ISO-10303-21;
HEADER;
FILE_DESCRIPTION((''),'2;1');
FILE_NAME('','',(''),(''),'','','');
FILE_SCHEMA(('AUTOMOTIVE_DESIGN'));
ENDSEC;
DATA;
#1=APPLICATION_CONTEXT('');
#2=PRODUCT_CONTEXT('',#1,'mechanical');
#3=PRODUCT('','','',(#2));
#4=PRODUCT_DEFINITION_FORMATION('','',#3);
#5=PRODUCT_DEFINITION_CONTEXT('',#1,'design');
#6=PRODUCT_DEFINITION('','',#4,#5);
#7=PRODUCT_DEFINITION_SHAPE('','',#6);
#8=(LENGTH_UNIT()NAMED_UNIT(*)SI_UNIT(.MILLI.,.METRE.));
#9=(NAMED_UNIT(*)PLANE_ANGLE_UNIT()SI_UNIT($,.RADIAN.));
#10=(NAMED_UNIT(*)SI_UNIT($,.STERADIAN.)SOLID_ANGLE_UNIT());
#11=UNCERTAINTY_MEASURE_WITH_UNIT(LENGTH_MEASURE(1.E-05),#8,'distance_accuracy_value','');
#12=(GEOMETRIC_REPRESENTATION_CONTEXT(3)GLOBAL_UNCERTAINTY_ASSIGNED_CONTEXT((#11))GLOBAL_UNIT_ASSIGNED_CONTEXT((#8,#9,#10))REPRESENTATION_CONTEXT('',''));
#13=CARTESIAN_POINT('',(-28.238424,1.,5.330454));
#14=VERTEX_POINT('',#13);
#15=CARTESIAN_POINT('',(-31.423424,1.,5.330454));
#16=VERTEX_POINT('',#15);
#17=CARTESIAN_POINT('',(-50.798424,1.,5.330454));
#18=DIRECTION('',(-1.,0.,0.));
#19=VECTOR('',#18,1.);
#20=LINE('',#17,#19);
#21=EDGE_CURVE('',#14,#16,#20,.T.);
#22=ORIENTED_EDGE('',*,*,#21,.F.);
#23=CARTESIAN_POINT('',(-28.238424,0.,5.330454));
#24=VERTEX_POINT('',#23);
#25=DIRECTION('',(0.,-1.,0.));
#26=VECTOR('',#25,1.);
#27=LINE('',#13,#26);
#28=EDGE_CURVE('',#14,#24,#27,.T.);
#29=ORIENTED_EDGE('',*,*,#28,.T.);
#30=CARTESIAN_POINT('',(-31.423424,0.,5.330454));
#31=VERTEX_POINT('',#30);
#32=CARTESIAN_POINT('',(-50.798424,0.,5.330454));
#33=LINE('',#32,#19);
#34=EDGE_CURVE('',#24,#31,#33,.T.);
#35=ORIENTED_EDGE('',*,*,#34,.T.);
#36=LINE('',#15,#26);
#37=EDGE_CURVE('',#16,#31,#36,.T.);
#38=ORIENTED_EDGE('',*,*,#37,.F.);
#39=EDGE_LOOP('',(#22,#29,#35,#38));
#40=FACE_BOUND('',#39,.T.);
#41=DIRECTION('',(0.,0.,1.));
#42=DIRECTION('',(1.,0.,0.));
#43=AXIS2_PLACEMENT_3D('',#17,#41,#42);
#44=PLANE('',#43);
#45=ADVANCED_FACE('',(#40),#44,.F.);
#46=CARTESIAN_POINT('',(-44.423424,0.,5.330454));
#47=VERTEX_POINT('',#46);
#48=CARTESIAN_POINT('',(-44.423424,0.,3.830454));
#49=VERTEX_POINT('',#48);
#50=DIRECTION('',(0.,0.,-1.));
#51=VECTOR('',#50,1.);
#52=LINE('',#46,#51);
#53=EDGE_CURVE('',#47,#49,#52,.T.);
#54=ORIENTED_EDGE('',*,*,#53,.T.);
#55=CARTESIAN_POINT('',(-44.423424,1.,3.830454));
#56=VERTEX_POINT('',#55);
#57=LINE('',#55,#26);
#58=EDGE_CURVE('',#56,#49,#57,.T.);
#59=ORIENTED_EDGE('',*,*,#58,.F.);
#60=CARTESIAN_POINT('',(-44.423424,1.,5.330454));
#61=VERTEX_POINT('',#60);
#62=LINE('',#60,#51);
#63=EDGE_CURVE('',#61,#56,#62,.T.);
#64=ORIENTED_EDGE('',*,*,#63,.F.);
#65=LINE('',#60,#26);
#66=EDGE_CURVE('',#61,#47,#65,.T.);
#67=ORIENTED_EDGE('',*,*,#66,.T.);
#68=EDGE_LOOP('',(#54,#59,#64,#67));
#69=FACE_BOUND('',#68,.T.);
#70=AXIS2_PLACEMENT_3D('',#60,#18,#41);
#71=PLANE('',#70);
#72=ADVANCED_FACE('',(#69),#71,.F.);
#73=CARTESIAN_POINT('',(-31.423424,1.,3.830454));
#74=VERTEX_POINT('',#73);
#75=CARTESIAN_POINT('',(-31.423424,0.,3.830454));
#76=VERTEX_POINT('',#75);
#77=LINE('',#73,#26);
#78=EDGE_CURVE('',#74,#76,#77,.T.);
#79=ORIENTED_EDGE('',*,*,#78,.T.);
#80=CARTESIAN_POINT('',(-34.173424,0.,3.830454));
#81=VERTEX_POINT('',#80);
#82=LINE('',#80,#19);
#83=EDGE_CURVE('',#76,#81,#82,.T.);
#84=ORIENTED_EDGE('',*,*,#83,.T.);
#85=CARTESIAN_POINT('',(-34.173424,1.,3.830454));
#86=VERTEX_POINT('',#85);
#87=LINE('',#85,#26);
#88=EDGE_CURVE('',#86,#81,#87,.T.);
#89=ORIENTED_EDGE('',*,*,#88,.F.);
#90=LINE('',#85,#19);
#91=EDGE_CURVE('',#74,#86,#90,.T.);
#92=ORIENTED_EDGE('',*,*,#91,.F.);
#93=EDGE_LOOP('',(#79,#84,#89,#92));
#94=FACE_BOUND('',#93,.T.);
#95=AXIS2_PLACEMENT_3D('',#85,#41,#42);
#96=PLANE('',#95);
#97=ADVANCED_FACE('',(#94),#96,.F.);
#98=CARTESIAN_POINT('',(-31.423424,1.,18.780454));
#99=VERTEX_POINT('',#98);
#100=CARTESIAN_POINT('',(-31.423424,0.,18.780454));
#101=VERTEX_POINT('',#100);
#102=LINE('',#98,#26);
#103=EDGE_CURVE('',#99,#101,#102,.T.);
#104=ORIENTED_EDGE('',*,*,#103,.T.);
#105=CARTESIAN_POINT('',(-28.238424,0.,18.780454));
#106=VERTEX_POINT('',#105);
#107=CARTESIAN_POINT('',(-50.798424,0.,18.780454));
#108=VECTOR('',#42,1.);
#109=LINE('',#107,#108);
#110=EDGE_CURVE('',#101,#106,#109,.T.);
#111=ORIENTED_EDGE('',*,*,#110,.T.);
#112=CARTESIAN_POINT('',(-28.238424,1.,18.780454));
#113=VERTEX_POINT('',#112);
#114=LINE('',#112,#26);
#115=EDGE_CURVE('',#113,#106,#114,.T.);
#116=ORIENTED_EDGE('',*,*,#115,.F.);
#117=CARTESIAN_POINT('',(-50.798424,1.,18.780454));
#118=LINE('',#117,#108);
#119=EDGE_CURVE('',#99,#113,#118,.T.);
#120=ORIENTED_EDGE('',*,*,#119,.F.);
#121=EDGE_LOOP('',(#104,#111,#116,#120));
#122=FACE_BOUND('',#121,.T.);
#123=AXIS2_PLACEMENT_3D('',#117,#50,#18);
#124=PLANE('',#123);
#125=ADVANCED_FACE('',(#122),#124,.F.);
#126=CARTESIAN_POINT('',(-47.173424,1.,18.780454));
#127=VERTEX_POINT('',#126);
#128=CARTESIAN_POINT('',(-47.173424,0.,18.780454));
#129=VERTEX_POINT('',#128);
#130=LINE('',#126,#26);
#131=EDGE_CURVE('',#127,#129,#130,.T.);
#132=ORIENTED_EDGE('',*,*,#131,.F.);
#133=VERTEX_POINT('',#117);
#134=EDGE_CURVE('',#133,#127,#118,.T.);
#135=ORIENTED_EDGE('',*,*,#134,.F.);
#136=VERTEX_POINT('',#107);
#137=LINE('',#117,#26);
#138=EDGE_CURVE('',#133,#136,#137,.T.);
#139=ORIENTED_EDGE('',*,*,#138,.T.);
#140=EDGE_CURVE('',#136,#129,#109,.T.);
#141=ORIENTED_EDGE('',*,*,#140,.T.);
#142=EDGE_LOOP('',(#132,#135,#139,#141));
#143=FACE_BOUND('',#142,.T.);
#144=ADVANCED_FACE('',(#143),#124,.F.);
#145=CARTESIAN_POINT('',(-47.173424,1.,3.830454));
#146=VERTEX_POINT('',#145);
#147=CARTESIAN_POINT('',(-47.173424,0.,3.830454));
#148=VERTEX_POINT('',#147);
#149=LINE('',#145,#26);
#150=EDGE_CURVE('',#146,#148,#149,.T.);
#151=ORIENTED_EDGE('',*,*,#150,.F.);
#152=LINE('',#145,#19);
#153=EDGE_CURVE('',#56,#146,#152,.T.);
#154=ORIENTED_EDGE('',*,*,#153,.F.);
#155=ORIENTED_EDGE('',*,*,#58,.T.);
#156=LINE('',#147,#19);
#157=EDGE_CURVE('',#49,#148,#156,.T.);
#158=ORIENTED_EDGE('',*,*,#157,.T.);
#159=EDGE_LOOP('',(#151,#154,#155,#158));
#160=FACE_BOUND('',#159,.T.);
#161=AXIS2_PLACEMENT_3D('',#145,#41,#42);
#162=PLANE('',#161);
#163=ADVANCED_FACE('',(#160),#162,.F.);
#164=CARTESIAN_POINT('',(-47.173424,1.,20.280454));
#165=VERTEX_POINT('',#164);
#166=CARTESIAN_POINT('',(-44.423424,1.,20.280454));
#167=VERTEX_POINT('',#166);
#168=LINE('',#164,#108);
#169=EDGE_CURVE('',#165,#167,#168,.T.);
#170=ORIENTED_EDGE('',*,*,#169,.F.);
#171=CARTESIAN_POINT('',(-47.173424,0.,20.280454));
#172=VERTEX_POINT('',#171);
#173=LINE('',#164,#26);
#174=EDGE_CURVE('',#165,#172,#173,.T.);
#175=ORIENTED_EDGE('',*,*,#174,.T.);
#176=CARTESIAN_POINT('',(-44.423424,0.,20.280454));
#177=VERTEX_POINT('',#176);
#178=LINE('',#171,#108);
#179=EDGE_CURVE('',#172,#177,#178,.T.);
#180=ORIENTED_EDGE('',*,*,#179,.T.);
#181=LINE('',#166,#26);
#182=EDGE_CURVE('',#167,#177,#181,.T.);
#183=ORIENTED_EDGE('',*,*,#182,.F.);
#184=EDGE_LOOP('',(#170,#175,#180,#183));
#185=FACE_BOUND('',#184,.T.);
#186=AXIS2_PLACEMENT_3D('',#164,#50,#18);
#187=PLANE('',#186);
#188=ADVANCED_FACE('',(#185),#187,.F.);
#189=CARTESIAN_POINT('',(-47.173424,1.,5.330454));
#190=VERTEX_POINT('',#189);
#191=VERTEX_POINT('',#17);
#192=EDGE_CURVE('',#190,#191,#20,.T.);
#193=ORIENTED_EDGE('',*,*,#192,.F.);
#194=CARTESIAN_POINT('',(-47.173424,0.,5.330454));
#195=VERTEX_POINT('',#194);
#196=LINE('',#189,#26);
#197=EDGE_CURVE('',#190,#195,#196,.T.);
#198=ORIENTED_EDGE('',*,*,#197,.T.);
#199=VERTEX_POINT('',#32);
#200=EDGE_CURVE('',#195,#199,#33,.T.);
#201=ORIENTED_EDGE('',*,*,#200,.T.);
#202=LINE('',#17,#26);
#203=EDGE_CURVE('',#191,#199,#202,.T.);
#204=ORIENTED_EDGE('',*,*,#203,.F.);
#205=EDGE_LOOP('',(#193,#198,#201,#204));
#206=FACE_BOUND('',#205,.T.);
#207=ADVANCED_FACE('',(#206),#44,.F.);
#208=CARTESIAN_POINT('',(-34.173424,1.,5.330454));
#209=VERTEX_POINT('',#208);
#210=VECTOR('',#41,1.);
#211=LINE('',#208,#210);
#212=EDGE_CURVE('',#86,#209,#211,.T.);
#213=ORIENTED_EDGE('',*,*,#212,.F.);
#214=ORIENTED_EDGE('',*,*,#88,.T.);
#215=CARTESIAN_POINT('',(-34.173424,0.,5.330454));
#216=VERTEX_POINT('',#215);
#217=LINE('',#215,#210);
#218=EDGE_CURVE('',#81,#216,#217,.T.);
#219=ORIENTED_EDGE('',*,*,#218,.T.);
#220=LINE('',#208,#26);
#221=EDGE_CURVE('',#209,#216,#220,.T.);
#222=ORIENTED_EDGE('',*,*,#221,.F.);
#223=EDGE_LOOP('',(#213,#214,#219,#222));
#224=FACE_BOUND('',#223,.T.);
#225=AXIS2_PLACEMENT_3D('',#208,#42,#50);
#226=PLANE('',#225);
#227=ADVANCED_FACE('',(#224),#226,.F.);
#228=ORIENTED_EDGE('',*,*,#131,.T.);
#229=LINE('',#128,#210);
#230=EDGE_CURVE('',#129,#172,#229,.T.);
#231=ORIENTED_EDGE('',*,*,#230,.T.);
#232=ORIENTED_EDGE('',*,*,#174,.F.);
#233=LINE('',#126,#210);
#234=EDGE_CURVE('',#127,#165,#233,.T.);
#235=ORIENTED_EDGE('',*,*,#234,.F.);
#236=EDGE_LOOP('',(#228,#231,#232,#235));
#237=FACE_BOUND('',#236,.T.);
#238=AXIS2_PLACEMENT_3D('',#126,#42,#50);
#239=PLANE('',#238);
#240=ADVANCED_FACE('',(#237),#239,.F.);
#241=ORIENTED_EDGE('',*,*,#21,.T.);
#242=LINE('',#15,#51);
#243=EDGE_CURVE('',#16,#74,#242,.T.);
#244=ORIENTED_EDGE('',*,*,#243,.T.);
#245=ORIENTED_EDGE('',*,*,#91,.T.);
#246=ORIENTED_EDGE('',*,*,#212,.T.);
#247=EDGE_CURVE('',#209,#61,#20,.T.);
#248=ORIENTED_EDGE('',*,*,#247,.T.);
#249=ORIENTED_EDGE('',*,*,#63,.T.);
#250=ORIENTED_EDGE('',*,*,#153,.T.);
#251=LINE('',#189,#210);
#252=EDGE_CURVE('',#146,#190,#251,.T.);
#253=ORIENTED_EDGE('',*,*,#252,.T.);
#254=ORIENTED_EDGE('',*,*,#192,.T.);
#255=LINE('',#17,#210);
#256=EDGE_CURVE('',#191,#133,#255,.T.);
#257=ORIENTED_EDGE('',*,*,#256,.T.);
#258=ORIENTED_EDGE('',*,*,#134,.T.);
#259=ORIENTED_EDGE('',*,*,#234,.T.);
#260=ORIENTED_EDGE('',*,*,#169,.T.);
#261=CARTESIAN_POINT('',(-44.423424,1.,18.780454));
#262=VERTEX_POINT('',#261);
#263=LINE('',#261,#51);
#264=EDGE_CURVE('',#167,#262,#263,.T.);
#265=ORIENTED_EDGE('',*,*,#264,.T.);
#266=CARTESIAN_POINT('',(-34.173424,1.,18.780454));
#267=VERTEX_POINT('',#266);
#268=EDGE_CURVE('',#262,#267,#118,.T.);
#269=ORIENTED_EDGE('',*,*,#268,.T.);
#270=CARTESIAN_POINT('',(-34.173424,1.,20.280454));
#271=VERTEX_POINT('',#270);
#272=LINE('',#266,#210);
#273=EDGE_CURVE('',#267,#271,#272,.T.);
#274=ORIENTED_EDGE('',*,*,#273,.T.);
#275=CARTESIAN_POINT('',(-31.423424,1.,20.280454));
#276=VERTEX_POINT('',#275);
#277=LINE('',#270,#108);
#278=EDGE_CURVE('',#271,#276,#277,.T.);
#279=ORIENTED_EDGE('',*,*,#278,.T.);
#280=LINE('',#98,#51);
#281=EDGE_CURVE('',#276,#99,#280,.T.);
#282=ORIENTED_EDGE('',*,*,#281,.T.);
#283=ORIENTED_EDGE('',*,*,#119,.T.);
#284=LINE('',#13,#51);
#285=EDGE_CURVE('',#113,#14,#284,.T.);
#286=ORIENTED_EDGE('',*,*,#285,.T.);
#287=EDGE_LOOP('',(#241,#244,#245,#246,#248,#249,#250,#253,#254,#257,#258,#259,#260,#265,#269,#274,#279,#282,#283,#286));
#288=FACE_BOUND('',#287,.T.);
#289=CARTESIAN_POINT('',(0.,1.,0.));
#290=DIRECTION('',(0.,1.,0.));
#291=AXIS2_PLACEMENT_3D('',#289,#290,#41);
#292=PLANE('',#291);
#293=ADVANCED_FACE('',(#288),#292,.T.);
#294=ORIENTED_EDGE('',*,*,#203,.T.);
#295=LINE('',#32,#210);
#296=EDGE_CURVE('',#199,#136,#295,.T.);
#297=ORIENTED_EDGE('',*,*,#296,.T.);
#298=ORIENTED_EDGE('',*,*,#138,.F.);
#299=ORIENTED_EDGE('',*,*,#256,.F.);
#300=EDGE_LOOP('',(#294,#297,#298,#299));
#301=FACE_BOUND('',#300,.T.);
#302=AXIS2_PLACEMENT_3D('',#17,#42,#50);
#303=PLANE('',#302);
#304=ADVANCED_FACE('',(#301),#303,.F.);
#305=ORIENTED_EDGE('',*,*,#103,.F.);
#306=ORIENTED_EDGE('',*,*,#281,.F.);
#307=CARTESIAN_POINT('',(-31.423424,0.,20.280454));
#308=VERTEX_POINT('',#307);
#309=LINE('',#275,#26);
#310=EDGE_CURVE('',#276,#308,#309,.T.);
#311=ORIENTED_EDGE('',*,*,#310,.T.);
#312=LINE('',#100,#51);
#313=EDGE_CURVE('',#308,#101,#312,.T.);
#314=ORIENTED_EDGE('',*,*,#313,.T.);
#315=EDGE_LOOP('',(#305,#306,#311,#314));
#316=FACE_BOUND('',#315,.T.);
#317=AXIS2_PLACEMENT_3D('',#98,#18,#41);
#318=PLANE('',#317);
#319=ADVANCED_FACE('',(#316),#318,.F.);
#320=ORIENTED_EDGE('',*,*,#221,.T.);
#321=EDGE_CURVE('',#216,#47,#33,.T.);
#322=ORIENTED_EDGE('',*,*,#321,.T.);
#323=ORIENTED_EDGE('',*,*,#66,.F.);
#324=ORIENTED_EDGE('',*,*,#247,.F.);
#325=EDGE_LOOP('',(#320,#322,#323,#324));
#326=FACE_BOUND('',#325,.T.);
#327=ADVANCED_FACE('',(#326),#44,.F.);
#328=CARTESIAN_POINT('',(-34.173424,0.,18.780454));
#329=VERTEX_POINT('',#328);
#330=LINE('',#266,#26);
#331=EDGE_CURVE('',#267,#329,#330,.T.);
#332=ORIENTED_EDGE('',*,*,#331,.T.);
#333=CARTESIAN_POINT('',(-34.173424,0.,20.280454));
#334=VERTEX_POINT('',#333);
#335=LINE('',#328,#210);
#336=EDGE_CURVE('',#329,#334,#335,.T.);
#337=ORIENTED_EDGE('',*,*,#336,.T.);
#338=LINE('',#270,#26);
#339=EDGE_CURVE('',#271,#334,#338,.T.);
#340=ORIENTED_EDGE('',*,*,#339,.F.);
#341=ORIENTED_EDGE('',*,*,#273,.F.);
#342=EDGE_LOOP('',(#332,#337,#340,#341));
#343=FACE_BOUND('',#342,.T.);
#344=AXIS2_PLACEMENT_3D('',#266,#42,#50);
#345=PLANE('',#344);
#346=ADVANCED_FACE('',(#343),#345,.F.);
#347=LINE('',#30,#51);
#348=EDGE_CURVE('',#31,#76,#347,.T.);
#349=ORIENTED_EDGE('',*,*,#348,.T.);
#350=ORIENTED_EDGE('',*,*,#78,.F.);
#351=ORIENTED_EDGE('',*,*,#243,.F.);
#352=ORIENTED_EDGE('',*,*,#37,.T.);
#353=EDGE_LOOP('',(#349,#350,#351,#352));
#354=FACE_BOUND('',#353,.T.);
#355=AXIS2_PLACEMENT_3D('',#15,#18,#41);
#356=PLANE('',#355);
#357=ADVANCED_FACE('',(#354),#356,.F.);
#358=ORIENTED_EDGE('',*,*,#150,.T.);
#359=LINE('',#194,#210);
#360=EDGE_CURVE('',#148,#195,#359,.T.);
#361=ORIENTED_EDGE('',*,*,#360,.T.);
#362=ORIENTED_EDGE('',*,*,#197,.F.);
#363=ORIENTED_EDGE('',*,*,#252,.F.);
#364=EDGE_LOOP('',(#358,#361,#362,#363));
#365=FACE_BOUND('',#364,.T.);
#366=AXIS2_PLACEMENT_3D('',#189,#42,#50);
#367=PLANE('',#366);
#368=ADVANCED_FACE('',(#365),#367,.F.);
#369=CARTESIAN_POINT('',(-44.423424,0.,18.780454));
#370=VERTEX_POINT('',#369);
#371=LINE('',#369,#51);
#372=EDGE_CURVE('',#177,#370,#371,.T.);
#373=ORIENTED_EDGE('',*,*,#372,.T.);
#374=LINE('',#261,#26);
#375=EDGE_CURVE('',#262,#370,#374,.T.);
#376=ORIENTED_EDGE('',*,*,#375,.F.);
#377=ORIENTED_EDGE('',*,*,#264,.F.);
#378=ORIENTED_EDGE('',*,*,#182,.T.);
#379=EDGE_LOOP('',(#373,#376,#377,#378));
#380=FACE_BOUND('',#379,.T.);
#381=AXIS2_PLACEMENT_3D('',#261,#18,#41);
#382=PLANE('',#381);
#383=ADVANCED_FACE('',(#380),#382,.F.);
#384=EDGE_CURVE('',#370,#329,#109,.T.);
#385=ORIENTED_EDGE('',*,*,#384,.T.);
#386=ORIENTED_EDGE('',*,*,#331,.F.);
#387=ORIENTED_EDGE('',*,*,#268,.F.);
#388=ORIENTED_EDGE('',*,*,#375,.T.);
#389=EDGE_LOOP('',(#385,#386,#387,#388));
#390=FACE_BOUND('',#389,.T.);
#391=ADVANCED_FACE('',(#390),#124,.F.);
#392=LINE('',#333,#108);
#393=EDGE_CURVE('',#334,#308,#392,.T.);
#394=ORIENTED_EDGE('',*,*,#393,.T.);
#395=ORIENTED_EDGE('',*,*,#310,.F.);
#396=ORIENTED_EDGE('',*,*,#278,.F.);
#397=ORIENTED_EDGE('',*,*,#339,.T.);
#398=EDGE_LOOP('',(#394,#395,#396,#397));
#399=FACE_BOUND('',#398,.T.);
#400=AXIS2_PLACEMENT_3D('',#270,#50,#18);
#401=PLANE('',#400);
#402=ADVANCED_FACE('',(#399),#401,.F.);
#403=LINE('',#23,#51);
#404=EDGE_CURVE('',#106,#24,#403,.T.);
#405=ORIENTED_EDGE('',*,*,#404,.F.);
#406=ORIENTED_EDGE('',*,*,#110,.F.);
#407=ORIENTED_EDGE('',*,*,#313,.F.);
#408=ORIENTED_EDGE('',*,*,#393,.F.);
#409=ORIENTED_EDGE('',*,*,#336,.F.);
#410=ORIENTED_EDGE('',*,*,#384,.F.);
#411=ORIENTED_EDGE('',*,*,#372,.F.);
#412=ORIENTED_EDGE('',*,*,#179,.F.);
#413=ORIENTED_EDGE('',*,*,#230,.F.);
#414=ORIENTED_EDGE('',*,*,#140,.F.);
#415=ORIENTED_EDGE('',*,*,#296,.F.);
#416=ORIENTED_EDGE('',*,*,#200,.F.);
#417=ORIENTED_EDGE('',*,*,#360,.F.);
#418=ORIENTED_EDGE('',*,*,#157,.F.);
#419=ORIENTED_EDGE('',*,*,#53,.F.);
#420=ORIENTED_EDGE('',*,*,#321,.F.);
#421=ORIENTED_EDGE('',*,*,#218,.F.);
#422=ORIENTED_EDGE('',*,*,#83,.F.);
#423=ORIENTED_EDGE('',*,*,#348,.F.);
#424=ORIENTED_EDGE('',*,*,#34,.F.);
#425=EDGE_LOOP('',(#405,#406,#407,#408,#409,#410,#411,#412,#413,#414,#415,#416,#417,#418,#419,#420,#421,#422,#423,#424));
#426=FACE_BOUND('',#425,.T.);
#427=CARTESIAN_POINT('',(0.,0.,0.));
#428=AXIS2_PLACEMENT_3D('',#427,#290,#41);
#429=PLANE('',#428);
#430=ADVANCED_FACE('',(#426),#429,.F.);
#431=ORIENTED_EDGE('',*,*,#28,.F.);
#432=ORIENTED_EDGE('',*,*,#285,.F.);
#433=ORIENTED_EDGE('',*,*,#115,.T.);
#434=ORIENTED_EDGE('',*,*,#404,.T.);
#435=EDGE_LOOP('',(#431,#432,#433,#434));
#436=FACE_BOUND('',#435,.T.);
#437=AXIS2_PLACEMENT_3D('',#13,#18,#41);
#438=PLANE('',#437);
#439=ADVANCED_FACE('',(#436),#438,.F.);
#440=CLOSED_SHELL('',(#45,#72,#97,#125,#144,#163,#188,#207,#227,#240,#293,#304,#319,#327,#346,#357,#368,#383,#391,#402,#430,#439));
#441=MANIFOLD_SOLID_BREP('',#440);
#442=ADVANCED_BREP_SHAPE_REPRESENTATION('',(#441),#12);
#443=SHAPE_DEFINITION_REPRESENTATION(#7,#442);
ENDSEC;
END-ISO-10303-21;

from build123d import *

# Parameters (mm, degrees)
SKETCH1_W           = 22.56
SKETCH1_H           = 13.45
BOSS_EXTRUDE1_DEPTH = 1
SKETCH2_W           = 2.75
SKETCH2_H           = 1.5
BOSS_EXTRUDE2_DEPTH = 1


with BuildPart() as part:
    # Sketch1 → Boss-Extrude1 (new body)
    with BuildSketch(Plane(origin=(0, 0, 0), x_dir=(1, 0, 0), z_dir=(0, 1, 0))):
        with Locations((-39.518423651, -12.055454233)):
            Rectangle(SKETCH1_W, SKETCH1_H)
    extrude(amount=BOSS_EXTRUDE1_DEPTH)

    # Sketch2 → Boss-Extrude2 (add)
    with BuildSketch(Plane(origin=(0, 0, 0), x_dir=(1, 0, 0), z_dir=(0, 1, 0))):
        with Locations((-45.798423651, -4.580454233)):
            Rectangle(SKETCH2_W, SKETCH2_H)
        with Locations((-45.798423651, -19.530454233)):
            Rectangle(SKETCH2_W, SKETCH2_H)
        with Locations((-32.798423651, -4.580454233)):
            Rectangle(SKETCH2_W, SKETCH2_H)
        with Locations((-32.798423651, -19.530454233)):
            Rectangle(SKETCH2_W, SKETCH2_H)
    extrude(amount=BOSS_EXTRUDE2_DEPTH)


solid = part.part
